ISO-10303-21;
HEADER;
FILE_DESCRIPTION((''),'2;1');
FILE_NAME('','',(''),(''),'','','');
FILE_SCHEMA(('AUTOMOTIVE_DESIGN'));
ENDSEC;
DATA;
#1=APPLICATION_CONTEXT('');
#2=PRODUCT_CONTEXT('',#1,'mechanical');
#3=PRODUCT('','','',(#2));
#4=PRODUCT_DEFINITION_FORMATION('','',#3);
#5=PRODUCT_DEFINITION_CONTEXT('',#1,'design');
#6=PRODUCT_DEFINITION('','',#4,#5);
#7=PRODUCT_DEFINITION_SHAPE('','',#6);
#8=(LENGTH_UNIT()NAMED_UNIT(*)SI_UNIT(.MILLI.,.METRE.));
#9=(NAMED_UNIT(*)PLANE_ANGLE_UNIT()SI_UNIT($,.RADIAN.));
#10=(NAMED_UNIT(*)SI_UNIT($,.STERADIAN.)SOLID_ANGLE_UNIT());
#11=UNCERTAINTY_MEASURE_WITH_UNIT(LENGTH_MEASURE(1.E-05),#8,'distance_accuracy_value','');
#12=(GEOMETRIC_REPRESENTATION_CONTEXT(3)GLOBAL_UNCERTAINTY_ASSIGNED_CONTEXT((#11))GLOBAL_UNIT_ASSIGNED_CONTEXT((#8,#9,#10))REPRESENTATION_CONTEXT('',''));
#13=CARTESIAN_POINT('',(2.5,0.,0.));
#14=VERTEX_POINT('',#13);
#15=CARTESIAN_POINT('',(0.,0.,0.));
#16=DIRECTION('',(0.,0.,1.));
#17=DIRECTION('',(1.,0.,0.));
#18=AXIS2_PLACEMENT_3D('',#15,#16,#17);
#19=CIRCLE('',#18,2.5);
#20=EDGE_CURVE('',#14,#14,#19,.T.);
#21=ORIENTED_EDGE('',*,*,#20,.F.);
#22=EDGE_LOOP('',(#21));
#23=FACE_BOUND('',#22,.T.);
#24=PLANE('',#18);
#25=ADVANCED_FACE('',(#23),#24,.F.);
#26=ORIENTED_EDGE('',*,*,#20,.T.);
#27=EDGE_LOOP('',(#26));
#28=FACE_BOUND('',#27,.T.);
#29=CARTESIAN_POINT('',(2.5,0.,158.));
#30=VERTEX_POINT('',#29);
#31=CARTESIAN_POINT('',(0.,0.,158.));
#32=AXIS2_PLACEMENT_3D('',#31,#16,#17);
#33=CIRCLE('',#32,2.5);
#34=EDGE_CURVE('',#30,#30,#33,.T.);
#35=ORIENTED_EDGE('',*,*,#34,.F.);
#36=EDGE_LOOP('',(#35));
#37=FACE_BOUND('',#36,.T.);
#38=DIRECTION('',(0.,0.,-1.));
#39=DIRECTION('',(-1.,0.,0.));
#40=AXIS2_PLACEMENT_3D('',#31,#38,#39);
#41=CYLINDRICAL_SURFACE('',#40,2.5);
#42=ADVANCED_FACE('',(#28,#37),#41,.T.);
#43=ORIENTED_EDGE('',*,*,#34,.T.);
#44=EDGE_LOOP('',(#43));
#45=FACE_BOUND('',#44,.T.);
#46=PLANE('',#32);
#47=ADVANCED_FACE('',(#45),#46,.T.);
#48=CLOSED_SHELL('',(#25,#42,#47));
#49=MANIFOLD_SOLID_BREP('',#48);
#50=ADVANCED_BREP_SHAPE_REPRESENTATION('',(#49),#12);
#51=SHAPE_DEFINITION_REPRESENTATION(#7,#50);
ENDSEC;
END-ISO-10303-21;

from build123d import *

# Parameters (mm, degrees)
SKETCH_1_R      = 2.5
EXTRUDE_1_DEPTH = 158


with BuildPart() as part:
    # Эскиз1 → Вытянуть1 (new body)
    with BuildSketch(Plane.XY):
        Circle(SKETCH_1_R)
    extrude(amount=EXTRUDE_1_DEPTH)


solid = part.part
